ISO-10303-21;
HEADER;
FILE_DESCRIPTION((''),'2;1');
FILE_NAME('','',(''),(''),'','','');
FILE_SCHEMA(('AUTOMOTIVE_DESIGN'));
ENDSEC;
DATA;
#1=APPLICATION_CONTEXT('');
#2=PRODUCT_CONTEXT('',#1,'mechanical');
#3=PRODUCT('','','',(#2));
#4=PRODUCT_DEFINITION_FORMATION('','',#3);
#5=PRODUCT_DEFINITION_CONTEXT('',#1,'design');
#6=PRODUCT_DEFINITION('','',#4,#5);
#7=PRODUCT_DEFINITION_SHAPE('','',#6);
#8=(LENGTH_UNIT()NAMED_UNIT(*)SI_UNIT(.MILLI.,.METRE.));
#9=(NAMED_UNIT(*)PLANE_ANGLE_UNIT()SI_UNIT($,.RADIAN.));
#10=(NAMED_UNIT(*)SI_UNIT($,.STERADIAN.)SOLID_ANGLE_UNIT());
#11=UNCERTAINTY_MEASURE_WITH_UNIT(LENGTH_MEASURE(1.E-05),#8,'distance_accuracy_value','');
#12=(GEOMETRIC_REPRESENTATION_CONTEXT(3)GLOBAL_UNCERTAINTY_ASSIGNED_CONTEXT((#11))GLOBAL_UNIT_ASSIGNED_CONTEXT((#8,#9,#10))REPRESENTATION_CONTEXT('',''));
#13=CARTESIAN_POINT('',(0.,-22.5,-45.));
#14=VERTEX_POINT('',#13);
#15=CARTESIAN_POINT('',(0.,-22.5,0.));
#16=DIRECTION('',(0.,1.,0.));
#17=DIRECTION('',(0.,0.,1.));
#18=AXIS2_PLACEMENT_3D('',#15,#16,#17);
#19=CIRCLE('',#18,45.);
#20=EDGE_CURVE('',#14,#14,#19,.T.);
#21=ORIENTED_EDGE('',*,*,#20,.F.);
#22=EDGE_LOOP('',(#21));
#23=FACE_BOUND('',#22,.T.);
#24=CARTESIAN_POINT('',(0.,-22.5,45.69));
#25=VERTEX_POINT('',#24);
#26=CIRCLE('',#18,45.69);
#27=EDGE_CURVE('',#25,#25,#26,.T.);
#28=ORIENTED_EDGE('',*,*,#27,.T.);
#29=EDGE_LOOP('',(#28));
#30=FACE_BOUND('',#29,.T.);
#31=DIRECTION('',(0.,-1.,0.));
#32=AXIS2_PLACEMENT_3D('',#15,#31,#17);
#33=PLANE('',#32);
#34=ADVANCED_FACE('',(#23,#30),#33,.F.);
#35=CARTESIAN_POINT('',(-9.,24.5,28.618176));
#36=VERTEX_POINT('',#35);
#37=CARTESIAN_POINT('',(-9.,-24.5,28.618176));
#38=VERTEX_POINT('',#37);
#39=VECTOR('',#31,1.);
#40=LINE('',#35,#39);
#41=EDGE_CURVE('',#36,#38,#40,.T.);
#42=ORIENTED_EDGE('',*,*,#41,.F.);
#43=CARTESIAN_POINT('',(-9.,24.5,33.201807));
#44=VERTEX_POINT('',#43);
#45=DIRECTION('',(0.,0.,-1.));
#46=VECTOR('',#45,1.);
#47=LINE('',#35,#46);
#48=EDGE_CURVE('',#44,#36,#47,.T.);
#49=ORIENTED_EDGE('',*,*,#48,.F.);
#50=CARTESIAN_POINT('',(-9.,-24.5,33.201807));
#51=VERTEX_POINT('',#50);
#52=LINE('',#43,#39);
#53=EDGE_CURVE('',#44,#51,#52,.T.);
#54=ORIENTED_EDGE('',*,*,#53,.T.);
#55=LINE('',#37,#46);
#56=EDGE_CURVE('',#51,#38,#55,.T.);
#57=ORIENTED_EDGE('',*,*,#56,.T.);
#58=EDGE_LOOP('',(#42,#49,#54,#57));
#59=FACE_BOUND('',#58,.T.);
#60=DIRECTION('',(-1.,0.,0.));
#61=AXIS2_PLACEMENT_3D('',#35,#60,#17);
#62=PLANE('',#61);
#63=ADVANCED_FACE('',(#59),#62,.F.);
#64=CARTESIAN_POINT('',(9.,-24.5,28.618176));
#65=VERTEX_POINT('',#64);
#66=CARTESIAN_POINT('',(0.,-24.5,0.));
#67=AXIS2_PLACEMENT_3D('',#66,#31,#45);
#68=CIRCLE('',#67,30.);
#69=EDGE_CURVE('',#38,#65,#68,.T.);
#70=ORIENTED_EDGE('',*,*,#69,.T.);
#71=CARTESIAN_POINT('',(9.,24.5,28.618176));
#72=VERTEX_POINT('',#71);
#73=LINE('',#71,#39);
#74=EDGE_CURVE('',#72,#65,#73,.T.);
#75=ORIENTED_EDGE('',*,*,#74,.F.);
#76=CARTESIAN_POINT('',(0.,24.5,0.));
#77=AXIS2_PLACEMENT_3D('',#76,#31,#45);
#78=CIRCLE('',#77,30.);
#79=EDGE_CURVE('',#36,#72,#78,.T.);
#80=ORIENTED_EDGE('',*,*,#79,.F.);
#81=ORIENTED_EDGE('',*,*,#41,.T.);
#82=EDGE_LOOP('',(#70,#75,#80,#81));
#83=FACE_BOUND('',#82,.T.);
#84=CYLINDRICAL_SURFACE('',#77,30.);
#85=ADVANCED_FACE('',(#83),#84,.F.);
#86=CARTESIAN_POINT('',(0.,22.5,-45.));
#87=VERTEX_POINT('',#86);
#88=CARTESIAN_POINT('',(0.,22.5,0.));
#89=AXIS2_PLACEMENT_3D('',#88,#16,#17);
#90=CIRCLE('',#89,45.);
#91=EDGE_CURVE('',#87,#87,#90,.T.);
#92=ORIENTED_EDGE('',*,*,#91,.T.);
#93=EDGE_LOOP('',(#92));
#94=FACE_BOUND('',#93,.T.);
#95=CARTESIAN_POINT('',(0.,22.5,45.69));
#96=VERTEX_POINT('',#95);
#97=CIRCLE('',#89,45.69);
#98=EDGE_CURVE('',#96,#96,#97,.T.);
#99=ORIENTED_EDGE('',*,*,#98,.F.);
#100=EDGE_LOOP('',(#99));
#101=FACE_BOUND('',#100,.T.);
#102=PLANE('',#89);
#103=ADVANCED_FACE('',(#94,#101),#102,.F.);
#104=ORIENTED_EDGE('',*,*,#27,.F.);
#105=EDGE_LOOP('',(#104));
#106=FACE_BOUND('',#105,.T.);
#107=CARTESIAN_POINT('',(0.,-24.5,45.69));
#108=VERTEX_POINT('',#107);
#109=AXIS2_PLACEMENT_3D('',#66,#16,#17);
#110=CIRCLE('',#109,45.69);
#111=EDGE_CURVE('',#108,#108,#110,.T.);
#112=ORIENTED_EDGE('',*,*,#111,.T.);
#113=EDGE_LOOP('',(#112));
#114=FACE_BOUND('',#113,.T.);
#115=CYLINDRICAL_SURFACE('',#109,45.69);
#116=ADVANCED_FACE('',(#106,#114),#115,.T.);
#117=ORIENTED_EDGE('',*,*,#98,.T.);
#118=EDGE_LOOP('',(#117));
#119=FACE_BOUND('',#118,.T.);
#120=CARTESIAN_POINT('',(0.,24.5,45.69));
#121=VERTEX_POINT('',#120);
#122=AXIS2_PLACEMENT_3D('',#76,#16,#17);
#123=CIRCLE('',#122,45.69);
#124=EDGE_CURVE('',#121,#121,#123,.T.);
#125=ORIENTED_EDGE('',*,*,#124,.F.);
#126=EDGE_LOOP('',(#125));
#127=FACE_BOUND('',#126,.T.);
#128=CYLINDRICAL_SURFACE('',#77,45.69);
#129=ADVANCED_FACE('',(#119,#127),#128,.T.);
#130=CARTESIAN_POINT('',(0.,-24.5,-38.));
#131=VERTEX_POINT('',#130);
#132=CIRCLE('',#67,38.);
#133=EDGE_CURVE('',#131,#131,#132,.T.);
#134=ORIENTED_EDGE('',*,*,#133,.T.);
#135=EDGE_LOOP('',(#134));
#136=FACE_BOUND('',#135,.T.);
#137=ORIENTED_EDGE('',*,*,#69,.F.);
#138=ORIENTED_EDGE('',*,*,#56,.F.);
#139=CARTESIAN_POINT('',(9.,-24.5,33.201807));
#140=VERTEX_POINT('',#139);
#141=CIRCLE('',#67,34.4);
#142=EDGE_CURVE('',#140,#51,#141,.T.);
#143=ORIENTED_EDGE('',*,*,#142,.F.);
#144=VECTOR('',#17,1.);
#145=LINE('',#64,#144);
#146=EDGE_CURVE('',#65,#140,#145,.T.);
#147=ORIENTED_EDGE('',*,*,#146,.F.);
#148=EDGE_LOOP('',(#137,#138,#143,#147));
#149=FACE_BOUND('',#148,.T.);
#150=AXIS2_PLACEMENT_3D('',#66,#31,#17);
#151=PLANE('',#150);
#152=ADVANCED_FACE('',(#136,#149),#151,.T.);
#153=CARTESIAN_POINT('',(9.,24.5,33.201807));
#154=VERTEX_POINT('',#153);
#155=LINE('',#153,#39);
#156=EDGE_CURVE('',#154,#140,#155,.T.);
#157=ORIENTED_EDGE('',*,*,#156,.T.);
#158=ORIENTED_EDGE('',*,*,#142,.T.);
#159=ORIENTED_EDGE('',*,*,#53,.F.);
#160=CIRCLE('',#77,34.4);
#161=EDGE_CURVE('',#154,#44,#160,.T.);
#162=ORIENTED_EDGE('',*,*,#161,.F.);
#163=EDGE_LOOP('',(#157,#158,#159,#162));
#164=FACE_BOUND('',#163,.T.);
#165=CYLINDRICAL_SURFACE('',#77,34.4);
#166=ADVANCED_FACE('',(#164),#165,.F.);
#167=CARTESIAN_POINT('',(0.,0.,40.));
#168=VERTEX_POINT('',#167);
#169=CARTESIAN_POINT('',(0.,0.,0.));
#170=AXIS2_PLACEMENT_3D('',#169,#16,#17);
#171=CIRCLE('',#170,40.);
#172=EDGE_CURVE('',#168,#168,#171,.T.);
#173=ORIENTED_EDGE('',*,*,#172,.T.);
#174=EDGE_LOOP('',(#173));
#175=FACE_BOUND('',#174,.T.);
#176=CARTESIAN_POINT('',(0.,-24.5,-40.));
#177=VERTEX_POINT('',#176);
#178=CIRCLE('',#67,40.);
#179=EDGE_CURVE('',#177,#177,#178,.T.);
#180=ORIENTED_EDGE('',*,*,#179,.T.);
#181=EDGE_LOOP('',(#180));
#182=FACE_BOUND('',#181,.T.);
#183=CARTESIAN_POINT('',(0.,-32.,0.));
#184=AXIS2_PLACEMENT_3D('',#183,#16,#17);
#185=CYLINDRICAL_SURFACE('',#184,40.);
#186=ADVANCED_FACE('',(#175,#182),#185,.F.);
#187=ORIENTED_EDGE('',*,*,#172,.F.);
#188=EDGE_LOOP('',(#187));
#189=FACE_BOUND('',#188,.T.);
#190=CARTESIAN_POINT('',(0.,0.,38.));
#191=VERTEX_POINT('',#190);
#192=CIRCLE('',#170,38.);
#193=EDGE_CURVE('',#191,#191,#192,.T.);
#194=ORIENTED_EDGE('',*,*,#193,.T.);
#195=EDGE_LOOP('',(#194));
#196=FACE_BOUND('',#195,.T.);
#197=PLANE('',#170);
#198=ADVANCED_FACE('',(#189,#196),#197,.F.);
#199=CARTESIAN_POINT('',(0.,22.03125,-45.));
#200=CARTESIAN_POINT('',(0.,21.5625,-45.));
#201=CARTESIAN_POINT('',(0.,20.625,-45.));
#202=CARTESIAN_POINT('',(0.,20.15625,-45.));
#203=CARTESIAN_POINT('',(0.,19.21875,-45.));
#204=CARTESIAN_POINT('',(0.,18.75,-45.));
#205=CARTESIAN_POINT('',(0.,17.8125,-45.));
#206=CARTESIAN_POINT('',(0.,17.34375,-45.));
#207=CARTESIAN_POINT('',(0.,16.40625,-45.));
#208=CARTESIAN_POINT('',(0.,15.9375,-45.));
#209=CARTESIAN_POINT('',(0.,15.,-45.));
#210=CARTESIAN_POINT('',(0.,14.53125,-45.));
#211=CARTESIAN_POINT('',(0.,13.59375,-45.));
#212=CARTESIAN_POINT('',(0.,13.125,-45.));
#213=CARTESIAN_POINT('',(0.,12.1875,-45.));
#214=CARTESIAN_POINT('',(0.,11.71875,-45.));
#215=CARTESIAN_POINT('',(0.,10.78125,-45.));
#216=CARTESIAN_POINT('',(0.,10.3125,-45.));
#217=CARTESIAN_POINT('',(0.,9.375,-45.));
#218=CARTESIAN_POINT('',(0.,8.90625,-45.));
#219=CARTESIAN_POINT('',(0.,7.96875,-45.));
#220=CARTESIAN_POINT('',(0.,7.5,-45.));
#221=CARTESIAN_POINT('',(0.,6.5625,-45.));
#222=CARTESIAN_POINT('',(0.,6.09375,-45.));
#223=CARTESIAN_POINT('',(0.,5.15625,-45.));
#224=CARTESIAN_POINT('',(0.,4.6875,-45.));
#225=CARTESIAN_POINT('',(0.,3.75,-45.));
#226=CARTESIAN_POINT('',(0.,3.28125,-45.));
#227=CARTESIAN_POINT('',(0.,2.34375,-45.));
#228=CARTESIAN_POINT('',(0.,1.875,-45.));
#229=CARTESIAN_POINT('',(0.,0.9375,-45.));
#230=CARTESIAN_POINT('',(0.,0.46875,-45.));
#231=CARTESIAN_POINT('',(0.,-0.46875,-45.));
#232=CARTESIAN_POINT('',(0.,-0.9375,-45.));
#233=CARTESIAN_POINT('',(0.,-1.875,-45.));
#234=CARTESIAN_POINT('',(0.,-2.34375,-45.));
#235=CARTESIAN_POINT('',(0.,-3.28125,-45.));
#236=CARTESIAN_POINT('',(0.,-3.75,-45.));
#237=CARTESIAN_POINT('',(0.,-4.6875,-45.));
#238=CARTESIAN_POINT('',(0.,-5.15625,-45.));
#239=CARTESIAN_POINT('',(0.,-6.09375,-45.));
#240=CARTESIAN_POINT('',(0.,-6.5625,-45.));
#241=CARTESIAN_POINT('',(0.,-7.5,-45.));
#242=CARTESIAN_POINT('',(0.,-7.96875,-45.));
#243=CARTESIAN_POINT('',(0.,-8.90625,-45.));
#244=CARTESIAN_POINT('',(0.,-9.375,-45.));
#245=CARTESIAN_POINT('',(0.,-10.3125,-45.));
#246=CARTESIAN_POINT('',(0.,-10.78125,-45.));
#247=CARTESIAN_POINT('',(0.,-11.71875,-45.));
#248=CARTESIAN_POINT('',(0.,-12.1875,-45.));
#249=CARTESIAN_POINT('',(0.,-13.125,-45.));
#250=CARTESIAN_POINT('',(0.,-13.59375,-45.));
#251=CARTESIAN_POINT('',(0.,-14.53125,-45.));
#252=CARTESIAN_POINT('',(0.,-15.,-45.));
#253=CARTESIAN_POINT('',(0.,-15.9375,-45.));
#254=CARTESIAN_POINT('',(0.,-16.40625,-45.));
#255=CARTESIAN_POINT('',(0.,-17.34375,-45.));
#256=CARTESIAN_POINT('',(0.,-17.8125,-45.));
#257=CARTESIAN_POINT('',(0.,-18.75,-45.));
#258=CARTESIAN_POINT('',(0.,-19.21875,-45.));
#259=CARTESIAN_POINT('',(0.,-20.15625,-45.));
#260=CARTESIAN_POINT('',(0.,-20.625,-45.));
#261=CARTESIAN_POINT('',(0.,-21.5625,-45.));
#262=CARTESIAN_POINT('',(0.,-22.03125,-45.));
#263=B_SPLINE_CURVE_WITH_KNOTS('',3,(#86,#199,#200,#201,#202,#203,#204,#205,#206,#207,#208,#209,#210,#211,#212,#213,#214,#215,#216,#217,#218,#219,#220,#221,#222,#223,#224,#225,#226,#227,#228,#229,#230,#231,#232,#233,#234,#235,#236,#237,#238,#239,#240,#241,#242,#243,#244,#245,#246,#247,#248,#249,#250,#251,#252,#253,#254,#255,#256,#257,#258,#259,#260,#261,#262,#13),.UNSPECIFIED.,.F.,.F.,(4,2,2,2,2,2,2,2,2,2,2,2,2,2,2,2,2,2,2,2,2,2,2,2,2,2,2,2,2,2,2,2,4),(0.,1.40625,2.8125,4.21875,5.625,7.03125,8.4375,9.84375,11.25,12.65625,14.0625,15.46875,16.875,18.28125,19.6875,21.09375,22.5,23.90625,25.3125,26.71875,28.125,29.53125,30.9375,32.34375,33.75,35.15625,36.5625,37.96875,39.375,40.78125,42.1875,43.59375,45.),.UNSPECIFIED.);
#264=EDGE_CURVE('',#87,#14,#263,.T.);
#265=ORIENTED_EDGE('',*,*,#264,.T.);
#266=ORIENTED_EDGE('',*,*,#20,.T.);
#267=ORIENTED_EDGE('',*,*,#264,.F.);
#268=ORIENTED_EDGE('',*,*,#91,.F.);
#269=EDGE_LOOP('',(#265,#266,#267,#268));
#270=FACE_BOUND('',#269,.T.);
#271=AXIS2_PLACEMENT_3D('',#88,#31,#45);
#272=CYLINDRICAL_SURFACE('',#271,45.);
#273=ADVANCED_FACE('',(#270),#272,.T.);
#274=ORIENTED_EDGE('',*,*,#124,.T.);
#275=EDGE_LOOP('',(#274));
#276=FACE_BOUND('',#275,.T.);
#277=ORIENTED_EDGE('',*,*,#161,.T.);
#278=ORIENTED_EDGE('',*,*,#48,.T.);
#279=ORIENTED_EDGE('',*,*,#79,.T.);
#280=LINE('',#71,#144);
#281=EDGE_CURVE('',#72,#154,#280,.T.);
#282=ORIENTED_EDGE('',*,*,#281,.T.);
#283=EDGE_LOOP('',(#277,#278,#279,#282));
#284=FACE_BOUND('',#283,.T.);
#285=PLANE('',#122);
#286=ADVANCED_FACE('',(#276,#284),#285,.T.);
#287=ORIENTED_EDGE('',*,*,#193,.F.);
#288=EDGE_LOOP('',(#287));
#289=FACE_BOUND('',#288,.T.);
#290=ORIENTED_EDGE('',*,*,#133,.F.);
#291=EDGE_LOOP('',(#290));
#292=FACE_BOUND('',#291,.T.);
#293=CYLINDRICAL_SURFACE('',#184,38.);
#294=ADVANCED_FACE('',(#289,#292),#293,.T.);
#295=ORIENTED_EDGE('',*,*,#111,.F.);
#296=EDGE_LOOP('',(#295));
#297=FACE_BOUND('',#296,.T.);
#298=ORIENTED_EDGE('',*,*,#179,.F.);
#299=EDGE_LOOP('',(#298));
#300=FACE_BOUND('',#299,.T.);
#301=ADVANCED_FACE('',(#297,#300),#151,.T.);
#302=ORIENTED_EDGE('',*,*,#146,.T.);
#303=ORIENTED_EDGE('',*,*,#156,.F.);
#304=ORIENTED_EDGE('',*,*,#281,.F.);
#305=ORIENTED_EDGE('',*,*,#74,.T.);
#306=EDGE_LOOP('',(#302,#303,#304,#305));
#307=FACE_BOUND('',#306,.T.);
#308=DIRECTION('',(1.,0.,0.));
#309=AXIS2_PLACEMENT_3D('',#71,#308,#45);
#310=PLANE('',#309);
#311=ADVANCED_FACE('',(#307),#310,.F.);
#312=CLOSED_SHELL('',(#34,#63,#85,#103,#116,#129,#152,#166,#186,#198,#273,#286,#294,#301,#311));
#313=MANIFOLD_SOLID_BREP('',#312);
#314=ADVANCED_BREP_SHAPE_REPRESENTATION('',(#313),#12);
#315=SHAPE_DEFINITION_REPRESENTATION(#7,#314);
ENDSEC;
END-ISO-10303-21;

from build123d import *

# Parameters (mm, degrees)
SKETCH1_R           = 45
BOSS_EXTRUDE1_DEPTH = 22.5
SKETCH2_R           = 45.69
BOSS_EXTRUDE2_DEPTH = 2
SKETCH3_R           = 40
SKETCH3_R_2         = 38
CUT_EXTRUDE1_DEPTH  = 32
SKETCH4_R           = 30
CUT_EXTRUDE2_DEPTH  = 82.093478159
CUT_EXTRUDE3_DEPTH  = 82.093478159


with BuildPart() as part:
    # Sketch1 → Boss-Extrude1 (new, symmetric)
    with BuildSketch(Plane(origin=(0, 0, 0), x_dir=(1, 0, 0), z_dir=(0, 1, 0))):
        with Locations(Location((0, 0, 0), (0, 0, 90))):
            Circle(SKETCH1_R)
    extrude(amount=BOSS_EXTRUDE1_DEPTH, both=True)

    # Sketch2 → Boss-Extrude2 (add)
    with BuildSketch(Plane(origin=(0, 22.5, 0), x_dir=(1, 0, 0), z_dir=(0, 1, 0))):
        with Locations(Location((0, 0, 0), (0, 0, 270))):
            Circle(SKETCH2_R)
    boss_extrude2 = extrude(amount=BOSS_EXTRUDE2_DEPTH)

    # Mirror1: Boss-Extrude2 across plane
    add(boss_extrude2.mirror(Plane.ZX))

    # Sketch3 → Cut-Extrude1 (cut)
    with BuildSketch(Plane(origin=(0, 0, 0), x_dir=(1, 0, 0), z_dir=(0, 1, 0))):
        with Locations(Location((0, 0, 0), (0, 0, 270))):
            Circle(SKETCH3_R)
        with Locations(Location((0, 0, 0), (0, 0, 270))):
            Circle(SKETCH3_R_2, mode=Mode.SUBTRACT)
    extrude(amount=-CUT_EXTRUDE1_DEPTH, mode=Mode.SUBTRACT)

    # Sketch4 → Cut-Extrude2 (cut, through all)
    with BuildSketch(Plane.XZ.offset(24.5)):
        with Locations(Location((0, 0, 0), (0, 0, 270))):
            Circle(SKETCH4_R)
    extrude(amount=-CUT_EXTRUDE2_DEPTH, mode=Mode.SUBTRACT)

    # Sketch6 → Cut-Extrude3 (cut, through all)
    with BuildSketch(Plane.XZ.offset(24.5)):
        with BuildLine():
            Line((-9, 28.618176043), (-9, 33.20180718))
            ThreePointArc((-9, 33.20180718), (0, 34.4), (9, 33.20180718))
            Line((9, 33.20180718), (9, 28.618176043))
            ThreePointArc((9, 28.618176043), (0, 30), (-9, 28.618176043))
        make_face()
    extrude(amount=-CUT_EXTRUDE3_DEPTH, mode=Mode.SUBTRACT)


solid = part.part
